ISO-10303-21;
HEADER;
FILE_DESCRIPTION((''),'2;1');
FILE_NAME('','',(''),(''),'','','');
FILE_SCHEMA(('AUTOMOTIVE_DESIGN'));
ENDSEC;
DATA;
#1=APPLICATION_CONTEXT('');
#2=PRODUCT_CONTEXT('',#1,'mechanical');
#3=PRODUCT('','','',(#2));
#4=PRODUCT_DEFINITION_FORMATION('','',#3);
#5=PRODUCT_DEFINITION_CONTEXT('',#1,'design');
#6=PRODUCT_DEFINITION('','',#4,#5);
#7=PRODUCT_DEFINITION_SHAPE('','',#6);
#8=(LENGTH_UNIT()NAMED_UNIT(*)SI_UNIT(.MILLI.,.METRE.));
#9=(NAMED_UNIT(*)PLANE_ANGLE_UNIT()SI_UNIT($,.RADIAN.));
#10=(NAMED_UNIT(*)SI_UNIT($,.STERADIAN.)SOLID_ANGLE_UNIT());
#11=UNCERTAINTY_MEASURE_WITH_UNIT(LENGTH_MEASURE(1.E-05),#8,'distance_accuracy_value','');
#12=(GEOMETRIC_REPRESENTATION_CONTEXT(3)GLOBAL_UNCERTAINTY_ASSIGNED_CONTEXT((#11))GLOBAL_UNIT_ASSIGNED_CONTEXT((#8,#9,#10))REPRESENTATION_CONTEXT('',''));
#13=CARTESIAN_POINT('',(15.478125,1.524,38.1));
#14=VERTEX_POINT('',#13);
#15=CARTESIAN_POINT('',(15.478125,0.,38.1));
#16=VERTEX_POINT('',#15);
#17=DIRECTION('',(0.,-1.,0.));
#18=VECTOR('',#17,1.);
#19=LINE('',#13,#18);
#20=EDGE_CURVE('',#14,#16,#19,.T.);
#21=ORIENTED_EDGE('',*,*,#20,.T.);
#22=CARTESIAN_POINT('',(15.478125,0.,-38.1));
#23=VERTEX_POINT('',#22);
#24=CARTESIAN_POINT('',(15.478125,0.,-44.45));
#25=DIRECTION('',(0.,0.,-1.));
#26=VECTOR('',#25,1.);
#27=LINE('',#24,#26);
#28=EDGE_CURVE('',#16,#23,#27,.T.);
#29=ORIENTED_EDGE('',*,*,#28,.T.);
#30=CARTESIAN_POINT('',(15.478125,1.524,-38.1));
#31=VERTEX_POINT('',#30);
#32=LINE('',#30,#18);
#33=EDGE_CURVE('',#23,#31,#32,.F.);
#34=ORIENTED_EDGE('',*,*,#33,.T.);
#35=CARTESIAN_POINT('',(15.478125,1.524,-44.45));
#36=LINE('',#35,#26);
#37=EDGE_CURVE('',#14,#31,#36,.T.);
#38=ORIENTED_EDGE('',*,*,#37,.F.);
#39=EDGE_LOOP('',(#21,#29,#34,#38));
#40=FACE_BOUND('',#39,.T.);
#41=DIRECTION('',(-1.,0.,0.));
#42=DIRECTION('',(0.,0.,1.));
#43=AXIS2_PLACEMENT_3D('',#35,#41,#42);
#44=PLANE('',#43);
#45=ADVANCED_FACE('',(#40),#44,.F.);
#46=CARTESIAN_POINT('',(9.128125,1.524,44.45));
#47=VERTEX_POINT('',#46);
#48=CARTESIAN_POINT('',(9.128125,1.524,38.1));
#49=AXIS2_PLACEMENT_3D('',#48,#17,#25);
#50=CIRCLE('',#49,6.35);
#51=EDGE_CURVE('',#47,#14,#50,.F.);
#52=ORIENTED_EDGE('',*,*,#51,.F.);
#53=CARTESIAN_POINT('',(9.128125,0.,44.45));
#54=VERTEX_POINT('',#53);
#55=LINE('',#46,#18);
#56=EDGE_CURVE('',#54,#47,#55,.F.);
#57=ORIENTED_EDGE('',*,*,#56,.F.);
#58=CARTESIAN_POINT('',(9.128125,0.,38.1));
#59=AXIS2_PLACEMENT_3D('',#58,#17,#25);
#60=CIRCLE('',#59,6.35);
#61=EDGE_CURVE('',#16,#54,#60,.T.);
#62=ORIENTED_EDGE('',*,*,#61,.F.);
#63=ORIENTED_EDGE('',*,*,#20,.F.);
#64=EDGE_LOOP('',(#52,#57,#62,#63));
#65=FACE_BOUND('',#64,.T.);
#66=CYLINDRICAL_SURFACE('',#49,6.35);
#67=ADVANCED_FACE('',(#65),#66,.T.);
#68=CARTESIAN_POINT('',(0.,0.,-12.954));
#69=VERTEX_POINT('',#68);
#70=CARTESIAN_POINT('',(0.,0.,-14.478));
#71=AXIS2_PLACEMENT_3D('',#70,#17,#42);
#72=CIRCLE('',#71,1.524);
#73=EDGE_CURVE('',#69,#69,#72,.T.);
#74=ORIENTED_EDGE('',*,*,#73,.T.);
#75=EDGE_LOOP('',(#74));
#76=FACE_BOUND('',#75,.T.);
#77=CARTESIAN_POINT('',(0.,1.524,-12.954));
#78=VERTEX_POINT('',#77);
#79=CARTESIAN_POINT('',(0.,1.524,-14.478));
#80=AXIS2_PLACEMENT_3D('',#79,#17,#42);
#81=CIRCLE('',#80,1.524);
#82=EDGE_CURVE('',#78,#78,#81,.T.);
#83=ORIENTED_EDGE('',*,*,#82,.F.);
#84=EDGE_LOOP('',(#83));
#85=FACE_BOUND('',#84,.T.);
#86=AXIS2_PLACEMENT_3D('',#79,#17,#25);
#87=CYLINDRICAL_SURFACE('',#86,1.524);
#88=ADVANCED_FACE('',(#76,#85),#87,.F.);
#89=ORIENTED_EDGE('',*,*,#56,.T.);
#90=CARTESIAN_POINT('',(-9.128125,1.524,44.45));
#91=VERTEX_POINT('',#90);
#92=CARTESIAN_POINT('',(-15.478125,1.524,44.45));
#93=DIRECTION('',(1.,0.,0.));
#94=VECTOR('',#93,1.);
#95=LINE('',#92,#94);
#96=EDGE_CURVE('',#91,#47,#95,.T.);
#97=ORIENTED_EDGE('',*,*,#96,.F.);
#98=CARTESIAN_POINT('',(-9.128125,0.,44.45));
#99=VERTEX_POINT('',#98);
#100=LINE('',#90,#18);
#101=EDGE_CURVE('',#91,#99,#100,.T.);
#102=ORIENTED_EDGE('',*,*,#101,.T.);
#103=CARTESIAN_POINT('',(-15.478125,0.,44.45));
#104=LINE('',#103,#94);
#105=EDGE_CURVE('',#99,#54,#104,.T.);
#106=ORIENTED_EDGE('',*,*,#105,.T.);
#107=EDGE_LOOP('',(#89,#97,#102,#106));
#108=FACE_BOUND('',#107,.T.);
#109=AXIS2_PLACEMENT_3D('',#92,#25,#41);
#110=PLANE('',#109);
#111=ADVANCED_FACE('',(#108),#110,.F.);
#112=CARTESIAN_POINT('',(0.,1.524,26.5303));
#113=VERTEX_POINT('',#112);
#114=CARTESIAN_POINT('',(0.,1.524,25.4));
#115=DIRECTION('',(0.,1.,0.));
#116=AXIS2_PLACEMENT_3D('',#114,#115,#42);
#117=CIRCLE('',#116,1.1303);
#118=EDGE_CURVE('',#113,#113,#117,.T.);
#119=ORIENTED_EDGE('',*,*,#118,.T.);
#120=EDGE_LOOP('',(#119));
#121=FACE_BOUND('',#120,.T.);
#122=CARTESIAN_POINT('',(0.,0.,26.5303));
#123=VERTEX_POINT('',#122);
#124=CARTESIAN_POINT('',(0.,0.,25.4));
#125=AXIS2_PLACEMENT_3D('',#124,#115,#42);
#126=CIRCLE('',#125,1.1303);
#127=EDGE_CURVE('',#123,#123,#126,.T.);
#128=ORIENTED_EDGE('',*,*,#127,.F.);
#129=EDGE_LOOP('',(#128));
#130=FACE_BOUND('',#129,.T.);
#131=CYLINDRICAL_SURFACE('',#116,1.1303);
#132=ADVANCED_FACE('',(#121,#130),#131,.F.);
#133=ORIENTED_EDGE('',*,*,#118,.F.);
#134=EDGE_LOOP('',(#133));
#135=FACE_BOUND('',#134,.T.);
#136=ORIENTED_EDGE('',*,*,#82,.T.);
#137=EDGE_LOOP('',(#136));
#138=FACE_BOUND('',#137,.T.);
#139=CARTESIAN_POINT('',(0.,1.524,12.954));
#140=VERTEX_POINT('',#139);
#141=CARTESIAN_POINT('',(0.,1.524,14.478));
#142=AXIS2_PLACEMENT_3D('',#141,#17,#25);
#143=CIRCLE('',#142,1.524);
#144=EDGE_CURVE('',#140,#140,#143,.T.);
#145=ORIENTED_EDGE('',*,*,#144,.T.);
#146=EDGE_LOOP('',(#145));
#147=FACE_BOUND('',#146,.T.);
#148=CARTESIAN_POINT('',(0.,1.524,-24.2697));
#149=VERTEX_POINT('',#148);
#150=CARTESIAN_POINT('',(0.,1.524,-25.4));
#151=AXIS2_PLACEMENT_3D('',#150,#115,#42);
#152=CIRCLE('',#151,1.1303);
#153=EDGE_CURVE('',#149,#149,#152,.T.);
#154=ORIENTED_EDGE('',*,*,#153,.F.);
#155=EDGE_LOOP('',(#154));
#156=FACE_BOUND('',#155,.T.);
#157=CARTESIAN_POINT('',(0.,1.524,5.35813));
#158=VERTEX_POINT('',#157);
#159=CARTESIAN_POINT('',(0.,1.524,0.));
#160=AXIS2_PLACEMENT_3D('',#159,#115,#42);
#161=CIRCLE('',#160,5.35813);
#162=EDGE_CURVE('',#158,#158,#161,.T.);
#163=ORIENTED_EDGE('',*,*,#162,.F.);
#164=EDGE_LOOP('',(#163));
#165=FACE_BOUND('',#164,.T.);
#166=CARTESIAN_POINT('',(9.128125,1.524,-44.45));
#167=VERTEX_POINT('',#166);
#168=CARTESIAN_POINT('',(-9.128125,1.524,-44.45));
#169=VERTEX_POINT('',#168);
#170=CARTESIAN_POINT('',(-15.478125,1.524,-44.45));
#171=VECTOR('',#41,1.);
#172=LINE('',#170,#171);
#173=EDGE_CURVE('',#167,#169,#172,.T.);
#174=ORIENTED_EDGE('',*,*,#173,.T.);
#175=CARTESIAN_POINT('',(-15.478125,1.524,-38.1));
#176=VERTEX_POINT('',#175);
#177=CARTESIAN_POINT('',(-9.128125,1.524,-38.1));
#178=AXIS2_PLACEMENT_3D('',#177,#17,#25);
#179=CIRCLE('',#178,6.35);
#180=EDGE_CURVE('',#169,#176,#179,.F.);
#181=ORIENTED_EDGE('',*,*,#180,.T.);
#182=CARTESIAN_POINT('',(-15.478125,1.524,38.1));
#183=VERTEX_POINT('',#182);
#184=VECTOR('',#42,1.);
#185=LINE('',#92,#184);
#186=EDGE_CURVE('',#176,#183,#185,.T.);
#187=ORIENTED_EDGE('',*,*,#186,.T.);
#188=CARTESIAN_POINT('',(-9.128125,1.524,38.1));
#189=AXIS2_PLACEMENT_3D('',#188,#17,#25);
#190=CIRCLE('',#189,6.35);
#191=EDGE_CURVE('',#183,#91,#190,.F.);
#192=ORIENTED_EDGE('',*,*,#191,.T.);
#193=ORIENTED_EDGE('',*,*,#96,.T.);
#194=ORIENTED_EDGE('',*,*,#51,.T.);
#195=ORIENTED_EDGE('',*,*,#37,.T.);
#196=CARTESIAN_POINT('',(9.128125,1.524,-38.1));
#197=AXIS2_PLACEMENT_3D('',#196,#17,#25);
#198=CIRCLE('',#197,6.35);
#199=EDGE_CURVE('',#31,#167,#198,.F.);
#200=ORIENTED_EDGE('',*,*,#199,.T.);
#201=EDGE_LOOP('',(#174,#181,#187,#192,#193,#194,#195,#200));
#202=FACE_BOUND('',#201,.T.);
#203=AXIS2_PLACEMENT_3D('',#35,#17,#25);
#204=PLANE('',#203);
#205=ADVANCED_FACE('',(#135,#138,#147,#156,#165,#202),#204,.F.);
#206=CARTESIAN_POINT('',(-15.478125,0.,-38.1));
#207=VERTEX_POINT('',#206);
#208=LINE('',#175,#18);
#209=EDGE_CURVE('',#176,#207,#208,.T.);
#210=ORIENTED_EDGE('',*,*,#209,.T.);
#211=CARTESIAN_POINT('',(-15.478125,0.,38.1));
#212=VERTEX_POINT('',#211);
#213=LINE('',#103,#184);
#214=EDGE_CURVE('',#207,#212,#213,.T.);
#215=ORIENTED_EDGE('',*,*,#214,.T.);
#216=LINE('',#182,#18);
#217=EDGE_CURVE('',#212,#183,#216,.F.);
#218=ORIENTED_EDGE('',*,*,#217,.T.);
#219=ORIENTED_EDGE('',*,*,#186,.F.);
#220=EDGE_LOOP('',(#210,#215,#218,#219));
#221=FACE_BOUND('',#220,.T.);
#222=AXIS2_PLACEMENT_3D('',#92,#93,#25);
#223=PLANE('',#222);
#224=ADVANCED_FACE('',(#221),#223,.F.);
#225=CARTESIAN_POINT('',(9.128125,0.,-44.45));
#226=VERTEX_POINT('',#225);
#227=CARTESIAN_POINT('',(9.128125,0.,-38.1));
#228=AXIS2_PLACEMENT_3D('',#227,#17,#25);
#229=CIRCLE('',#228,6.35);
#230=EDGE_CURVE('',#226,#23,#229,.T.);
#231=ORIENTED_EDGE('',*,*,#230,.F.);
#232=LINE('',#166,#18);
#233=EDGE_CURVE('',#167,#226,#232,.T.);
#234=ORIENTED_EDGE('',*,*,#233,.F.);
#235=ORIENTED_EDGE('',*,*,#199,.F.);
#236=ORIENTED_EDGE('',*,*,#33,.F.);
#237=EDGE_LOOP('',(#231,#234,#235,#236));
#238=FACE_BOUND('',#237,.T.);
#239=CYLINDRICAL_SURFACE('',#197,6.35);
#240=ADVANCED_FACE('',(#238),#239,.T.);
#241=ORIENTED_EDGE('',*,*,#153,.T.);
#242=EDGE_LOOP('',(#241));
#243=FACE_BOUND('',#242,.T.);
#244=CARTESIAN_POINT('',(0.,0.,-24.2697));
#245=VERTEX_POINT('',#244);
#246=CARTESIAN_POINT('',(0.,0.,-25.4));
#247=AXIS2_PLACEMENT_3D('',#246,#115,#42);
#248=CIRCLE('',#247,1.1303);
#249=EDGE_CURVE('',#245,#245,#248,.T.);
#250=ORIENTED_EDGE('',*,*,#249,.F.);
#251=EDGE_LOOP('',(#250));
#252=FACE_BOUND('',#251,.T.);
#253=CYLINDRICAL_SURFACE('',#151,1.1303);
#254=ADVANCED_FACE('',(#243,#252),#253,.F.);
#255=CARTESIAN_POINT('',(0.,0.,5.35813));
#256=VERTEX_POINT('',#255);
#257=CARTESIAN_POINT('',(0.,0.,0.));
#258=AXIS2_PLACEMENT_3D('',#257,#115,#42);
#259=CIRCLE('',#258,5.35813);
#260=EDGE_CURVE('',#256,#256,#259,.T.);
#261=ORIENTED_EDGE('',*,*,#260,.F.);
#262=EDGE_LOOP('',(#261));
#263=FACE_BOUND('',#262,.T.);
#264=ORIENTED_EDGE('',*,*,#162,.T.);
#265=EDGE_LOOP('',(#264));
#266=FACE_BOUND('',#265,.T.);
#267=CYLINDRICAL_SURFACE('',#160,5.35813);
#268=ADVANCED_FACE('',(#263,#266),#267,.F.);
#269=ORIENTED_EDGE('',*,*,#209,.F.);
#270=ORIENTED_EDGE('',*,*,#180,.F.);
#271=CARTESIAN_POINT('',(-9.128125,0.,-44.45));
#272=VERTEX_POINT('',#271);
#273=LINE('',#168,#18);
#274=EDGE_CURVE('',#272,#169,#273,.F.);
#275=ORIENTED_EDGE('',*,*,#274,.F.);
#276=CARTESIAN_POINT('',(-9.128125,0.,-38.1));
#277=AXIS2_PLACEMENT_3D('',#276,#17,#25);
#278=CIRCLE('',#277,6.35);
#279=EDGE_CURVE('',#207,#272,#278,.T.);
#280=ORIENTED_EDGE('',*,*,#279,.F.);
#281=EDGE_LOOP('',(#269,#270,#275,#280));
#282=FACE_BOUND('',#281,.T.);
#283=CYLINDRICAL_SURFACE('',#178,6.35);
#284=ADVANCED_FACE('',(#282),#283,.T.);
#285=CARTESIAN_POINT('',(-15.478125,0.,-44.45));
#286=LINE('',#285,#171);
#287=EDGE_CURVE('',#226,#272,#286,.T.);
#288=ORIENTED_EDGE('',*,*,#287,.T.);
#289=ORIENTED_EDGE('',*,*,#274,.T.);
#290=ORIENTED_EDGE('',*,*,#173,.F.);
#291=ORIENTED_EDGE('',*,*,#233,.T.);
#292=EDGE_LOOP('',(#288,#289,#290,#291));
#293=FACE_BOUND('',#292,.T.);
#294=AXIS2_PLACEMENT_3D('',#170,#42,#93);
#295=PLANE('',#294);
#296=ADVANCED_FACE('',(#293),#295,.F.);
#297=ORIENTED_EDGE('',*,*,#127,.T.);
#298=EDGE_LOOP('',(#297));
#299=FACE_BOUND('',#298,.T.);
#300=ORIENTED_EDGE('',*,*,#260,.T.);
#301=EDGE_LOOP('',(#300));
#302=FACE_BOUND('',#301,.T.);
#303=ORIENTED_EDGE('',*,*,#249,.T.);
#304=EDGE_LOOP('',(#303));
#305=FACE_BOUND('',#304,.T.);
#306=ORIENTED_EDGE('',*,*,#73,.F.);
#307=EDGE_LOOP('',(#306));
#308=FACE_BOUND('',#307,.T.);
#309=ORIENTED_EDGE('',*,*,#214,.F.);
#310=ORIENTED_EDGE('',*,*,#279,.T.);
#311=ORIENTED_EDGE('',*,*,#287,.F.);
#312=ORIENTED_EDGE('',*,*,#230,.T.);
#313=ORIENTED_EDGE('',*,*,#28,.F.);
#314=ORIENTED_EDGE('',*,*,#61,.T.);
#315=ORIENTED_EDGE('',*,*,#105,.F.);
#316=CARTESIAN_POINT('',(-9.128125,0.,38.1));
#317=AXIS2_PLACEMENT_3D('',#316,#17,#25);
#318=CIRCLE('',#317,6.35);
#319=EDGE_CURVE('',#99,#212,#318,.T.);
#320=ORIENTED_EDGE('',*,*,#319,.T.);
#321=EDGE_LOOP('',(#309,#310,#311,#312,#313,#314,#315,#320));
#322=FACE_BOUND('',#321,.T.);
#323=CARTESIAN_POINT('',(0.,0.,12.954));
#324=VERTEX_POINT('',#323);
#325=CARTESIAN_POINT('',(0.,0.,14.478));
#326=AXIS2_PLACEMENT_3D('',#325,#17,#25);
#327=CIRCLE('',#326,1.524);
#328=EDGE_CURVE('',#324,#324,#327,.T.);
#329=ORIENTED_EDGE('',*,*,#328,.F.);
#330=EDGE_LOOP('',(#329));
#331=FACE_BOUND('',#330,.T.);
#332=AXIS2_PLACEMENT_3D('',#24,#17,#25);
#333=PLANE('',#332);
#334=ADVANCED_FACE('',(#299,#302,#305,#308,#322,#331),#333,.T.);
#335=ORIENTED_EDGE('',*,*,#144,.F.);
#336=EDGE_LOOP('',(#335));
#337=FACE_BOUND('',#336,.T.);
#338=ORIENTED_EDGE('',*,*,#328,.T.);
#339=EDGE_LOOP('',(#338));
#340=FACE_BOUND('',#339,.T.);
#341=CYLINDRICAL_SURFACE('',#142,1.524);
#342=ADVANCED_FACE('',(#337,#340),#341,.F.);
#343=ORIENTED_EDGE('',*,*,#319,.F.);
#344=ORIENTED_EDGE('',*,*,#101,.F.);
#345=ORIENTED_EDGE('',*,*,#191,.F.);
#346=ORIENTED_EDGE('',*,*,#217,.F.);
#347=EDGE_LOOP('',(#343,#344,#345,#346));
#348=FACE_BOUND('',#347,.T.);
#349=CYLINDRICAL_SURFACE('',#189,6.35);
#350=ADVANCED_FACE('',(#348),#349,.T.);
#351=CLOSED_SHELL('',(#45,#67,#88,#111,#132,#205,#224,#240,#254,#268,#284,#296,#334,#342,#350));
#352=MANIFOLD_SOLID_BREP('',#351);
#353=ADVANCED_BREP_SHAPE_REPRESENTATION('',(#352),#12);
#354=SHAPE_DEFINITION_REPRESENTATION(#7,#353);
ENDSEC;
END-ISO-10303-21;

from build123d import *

# Parameters (mm, degrees)
SKETCH1_W               = 30.95625
SKETCH1_H               = 88.9
BOSS_EXTRUDE1_DEPTH     = 1.524
FILLET1_R               = 6.35
SKETCH6_R               = 1.524
CUT_EXTRUDE1_DEPTH      = 2.524
F_4_40_TAPPED_HOLE1_D   = 2.2606
F_1_2_13_TAPPED_HOLE1_D = 10.71626


with BuildPart() as part:
    # Sketch1 → Boss-Extrude1 (new body)
    with BuildSketch(Plane(origin=(0, 0, 0), x_dir=(1, 0, 0), z_dir=(0, 1, 0))):
        Rectangle(SKETCH1_W, SKETCH1_H)
    extrude(amount=BOSS_EXTRUDE1_DEPTH)

    # Fillet1
    fillet1_edges = [part.edges().sort_by_distance(p)[0] for p in [
        (15.478125, 0.762, -44.45),
        (15.478125, 0.762, 44.45),
        (-15.478125, 0.762, 44.45),
        (-15.478125, 0.762, -44.45),
    ]]
    fillet(fillet1_edges, radius=FILLET1_R)

    # Sketch6 → Cut-Extrude1 (cut, through all)
    with BuildSketch(Plane.XZ):
        with Locations((0, 14.478)):
            Circle(SKETCH6_R)
        with Locations((0, -14.478)):
            Circle(SKETCH6_R)
    extrude(amount=-CUT_EXTRUDE1_DEPTH, mode=Mode.SUBTRACT)

    # #4-40 Tapped Hole1 (through all)
    with Locations(Plane(origin=(0, 1.524, 0), x_dir=(-1, 0, 0), z_dir=(0, 1, 0))):
        with Locations((0, 25.4), (0, -25.4)):
            Hole(F_4_40_TAPPED_HOLE1_D / 2)

    # 1/2-13 Tapped Hole1 (through all)
    with Locations(Plane(origin=(0, 1.524, 0), x_dir=(-1, 0, 0), z_dir=(0, 1, 0))):
        with Locations((0, 0)):
            Hole(F_1_2_13_TAPPED_HOLE1_D / 2)


solid = part.part
